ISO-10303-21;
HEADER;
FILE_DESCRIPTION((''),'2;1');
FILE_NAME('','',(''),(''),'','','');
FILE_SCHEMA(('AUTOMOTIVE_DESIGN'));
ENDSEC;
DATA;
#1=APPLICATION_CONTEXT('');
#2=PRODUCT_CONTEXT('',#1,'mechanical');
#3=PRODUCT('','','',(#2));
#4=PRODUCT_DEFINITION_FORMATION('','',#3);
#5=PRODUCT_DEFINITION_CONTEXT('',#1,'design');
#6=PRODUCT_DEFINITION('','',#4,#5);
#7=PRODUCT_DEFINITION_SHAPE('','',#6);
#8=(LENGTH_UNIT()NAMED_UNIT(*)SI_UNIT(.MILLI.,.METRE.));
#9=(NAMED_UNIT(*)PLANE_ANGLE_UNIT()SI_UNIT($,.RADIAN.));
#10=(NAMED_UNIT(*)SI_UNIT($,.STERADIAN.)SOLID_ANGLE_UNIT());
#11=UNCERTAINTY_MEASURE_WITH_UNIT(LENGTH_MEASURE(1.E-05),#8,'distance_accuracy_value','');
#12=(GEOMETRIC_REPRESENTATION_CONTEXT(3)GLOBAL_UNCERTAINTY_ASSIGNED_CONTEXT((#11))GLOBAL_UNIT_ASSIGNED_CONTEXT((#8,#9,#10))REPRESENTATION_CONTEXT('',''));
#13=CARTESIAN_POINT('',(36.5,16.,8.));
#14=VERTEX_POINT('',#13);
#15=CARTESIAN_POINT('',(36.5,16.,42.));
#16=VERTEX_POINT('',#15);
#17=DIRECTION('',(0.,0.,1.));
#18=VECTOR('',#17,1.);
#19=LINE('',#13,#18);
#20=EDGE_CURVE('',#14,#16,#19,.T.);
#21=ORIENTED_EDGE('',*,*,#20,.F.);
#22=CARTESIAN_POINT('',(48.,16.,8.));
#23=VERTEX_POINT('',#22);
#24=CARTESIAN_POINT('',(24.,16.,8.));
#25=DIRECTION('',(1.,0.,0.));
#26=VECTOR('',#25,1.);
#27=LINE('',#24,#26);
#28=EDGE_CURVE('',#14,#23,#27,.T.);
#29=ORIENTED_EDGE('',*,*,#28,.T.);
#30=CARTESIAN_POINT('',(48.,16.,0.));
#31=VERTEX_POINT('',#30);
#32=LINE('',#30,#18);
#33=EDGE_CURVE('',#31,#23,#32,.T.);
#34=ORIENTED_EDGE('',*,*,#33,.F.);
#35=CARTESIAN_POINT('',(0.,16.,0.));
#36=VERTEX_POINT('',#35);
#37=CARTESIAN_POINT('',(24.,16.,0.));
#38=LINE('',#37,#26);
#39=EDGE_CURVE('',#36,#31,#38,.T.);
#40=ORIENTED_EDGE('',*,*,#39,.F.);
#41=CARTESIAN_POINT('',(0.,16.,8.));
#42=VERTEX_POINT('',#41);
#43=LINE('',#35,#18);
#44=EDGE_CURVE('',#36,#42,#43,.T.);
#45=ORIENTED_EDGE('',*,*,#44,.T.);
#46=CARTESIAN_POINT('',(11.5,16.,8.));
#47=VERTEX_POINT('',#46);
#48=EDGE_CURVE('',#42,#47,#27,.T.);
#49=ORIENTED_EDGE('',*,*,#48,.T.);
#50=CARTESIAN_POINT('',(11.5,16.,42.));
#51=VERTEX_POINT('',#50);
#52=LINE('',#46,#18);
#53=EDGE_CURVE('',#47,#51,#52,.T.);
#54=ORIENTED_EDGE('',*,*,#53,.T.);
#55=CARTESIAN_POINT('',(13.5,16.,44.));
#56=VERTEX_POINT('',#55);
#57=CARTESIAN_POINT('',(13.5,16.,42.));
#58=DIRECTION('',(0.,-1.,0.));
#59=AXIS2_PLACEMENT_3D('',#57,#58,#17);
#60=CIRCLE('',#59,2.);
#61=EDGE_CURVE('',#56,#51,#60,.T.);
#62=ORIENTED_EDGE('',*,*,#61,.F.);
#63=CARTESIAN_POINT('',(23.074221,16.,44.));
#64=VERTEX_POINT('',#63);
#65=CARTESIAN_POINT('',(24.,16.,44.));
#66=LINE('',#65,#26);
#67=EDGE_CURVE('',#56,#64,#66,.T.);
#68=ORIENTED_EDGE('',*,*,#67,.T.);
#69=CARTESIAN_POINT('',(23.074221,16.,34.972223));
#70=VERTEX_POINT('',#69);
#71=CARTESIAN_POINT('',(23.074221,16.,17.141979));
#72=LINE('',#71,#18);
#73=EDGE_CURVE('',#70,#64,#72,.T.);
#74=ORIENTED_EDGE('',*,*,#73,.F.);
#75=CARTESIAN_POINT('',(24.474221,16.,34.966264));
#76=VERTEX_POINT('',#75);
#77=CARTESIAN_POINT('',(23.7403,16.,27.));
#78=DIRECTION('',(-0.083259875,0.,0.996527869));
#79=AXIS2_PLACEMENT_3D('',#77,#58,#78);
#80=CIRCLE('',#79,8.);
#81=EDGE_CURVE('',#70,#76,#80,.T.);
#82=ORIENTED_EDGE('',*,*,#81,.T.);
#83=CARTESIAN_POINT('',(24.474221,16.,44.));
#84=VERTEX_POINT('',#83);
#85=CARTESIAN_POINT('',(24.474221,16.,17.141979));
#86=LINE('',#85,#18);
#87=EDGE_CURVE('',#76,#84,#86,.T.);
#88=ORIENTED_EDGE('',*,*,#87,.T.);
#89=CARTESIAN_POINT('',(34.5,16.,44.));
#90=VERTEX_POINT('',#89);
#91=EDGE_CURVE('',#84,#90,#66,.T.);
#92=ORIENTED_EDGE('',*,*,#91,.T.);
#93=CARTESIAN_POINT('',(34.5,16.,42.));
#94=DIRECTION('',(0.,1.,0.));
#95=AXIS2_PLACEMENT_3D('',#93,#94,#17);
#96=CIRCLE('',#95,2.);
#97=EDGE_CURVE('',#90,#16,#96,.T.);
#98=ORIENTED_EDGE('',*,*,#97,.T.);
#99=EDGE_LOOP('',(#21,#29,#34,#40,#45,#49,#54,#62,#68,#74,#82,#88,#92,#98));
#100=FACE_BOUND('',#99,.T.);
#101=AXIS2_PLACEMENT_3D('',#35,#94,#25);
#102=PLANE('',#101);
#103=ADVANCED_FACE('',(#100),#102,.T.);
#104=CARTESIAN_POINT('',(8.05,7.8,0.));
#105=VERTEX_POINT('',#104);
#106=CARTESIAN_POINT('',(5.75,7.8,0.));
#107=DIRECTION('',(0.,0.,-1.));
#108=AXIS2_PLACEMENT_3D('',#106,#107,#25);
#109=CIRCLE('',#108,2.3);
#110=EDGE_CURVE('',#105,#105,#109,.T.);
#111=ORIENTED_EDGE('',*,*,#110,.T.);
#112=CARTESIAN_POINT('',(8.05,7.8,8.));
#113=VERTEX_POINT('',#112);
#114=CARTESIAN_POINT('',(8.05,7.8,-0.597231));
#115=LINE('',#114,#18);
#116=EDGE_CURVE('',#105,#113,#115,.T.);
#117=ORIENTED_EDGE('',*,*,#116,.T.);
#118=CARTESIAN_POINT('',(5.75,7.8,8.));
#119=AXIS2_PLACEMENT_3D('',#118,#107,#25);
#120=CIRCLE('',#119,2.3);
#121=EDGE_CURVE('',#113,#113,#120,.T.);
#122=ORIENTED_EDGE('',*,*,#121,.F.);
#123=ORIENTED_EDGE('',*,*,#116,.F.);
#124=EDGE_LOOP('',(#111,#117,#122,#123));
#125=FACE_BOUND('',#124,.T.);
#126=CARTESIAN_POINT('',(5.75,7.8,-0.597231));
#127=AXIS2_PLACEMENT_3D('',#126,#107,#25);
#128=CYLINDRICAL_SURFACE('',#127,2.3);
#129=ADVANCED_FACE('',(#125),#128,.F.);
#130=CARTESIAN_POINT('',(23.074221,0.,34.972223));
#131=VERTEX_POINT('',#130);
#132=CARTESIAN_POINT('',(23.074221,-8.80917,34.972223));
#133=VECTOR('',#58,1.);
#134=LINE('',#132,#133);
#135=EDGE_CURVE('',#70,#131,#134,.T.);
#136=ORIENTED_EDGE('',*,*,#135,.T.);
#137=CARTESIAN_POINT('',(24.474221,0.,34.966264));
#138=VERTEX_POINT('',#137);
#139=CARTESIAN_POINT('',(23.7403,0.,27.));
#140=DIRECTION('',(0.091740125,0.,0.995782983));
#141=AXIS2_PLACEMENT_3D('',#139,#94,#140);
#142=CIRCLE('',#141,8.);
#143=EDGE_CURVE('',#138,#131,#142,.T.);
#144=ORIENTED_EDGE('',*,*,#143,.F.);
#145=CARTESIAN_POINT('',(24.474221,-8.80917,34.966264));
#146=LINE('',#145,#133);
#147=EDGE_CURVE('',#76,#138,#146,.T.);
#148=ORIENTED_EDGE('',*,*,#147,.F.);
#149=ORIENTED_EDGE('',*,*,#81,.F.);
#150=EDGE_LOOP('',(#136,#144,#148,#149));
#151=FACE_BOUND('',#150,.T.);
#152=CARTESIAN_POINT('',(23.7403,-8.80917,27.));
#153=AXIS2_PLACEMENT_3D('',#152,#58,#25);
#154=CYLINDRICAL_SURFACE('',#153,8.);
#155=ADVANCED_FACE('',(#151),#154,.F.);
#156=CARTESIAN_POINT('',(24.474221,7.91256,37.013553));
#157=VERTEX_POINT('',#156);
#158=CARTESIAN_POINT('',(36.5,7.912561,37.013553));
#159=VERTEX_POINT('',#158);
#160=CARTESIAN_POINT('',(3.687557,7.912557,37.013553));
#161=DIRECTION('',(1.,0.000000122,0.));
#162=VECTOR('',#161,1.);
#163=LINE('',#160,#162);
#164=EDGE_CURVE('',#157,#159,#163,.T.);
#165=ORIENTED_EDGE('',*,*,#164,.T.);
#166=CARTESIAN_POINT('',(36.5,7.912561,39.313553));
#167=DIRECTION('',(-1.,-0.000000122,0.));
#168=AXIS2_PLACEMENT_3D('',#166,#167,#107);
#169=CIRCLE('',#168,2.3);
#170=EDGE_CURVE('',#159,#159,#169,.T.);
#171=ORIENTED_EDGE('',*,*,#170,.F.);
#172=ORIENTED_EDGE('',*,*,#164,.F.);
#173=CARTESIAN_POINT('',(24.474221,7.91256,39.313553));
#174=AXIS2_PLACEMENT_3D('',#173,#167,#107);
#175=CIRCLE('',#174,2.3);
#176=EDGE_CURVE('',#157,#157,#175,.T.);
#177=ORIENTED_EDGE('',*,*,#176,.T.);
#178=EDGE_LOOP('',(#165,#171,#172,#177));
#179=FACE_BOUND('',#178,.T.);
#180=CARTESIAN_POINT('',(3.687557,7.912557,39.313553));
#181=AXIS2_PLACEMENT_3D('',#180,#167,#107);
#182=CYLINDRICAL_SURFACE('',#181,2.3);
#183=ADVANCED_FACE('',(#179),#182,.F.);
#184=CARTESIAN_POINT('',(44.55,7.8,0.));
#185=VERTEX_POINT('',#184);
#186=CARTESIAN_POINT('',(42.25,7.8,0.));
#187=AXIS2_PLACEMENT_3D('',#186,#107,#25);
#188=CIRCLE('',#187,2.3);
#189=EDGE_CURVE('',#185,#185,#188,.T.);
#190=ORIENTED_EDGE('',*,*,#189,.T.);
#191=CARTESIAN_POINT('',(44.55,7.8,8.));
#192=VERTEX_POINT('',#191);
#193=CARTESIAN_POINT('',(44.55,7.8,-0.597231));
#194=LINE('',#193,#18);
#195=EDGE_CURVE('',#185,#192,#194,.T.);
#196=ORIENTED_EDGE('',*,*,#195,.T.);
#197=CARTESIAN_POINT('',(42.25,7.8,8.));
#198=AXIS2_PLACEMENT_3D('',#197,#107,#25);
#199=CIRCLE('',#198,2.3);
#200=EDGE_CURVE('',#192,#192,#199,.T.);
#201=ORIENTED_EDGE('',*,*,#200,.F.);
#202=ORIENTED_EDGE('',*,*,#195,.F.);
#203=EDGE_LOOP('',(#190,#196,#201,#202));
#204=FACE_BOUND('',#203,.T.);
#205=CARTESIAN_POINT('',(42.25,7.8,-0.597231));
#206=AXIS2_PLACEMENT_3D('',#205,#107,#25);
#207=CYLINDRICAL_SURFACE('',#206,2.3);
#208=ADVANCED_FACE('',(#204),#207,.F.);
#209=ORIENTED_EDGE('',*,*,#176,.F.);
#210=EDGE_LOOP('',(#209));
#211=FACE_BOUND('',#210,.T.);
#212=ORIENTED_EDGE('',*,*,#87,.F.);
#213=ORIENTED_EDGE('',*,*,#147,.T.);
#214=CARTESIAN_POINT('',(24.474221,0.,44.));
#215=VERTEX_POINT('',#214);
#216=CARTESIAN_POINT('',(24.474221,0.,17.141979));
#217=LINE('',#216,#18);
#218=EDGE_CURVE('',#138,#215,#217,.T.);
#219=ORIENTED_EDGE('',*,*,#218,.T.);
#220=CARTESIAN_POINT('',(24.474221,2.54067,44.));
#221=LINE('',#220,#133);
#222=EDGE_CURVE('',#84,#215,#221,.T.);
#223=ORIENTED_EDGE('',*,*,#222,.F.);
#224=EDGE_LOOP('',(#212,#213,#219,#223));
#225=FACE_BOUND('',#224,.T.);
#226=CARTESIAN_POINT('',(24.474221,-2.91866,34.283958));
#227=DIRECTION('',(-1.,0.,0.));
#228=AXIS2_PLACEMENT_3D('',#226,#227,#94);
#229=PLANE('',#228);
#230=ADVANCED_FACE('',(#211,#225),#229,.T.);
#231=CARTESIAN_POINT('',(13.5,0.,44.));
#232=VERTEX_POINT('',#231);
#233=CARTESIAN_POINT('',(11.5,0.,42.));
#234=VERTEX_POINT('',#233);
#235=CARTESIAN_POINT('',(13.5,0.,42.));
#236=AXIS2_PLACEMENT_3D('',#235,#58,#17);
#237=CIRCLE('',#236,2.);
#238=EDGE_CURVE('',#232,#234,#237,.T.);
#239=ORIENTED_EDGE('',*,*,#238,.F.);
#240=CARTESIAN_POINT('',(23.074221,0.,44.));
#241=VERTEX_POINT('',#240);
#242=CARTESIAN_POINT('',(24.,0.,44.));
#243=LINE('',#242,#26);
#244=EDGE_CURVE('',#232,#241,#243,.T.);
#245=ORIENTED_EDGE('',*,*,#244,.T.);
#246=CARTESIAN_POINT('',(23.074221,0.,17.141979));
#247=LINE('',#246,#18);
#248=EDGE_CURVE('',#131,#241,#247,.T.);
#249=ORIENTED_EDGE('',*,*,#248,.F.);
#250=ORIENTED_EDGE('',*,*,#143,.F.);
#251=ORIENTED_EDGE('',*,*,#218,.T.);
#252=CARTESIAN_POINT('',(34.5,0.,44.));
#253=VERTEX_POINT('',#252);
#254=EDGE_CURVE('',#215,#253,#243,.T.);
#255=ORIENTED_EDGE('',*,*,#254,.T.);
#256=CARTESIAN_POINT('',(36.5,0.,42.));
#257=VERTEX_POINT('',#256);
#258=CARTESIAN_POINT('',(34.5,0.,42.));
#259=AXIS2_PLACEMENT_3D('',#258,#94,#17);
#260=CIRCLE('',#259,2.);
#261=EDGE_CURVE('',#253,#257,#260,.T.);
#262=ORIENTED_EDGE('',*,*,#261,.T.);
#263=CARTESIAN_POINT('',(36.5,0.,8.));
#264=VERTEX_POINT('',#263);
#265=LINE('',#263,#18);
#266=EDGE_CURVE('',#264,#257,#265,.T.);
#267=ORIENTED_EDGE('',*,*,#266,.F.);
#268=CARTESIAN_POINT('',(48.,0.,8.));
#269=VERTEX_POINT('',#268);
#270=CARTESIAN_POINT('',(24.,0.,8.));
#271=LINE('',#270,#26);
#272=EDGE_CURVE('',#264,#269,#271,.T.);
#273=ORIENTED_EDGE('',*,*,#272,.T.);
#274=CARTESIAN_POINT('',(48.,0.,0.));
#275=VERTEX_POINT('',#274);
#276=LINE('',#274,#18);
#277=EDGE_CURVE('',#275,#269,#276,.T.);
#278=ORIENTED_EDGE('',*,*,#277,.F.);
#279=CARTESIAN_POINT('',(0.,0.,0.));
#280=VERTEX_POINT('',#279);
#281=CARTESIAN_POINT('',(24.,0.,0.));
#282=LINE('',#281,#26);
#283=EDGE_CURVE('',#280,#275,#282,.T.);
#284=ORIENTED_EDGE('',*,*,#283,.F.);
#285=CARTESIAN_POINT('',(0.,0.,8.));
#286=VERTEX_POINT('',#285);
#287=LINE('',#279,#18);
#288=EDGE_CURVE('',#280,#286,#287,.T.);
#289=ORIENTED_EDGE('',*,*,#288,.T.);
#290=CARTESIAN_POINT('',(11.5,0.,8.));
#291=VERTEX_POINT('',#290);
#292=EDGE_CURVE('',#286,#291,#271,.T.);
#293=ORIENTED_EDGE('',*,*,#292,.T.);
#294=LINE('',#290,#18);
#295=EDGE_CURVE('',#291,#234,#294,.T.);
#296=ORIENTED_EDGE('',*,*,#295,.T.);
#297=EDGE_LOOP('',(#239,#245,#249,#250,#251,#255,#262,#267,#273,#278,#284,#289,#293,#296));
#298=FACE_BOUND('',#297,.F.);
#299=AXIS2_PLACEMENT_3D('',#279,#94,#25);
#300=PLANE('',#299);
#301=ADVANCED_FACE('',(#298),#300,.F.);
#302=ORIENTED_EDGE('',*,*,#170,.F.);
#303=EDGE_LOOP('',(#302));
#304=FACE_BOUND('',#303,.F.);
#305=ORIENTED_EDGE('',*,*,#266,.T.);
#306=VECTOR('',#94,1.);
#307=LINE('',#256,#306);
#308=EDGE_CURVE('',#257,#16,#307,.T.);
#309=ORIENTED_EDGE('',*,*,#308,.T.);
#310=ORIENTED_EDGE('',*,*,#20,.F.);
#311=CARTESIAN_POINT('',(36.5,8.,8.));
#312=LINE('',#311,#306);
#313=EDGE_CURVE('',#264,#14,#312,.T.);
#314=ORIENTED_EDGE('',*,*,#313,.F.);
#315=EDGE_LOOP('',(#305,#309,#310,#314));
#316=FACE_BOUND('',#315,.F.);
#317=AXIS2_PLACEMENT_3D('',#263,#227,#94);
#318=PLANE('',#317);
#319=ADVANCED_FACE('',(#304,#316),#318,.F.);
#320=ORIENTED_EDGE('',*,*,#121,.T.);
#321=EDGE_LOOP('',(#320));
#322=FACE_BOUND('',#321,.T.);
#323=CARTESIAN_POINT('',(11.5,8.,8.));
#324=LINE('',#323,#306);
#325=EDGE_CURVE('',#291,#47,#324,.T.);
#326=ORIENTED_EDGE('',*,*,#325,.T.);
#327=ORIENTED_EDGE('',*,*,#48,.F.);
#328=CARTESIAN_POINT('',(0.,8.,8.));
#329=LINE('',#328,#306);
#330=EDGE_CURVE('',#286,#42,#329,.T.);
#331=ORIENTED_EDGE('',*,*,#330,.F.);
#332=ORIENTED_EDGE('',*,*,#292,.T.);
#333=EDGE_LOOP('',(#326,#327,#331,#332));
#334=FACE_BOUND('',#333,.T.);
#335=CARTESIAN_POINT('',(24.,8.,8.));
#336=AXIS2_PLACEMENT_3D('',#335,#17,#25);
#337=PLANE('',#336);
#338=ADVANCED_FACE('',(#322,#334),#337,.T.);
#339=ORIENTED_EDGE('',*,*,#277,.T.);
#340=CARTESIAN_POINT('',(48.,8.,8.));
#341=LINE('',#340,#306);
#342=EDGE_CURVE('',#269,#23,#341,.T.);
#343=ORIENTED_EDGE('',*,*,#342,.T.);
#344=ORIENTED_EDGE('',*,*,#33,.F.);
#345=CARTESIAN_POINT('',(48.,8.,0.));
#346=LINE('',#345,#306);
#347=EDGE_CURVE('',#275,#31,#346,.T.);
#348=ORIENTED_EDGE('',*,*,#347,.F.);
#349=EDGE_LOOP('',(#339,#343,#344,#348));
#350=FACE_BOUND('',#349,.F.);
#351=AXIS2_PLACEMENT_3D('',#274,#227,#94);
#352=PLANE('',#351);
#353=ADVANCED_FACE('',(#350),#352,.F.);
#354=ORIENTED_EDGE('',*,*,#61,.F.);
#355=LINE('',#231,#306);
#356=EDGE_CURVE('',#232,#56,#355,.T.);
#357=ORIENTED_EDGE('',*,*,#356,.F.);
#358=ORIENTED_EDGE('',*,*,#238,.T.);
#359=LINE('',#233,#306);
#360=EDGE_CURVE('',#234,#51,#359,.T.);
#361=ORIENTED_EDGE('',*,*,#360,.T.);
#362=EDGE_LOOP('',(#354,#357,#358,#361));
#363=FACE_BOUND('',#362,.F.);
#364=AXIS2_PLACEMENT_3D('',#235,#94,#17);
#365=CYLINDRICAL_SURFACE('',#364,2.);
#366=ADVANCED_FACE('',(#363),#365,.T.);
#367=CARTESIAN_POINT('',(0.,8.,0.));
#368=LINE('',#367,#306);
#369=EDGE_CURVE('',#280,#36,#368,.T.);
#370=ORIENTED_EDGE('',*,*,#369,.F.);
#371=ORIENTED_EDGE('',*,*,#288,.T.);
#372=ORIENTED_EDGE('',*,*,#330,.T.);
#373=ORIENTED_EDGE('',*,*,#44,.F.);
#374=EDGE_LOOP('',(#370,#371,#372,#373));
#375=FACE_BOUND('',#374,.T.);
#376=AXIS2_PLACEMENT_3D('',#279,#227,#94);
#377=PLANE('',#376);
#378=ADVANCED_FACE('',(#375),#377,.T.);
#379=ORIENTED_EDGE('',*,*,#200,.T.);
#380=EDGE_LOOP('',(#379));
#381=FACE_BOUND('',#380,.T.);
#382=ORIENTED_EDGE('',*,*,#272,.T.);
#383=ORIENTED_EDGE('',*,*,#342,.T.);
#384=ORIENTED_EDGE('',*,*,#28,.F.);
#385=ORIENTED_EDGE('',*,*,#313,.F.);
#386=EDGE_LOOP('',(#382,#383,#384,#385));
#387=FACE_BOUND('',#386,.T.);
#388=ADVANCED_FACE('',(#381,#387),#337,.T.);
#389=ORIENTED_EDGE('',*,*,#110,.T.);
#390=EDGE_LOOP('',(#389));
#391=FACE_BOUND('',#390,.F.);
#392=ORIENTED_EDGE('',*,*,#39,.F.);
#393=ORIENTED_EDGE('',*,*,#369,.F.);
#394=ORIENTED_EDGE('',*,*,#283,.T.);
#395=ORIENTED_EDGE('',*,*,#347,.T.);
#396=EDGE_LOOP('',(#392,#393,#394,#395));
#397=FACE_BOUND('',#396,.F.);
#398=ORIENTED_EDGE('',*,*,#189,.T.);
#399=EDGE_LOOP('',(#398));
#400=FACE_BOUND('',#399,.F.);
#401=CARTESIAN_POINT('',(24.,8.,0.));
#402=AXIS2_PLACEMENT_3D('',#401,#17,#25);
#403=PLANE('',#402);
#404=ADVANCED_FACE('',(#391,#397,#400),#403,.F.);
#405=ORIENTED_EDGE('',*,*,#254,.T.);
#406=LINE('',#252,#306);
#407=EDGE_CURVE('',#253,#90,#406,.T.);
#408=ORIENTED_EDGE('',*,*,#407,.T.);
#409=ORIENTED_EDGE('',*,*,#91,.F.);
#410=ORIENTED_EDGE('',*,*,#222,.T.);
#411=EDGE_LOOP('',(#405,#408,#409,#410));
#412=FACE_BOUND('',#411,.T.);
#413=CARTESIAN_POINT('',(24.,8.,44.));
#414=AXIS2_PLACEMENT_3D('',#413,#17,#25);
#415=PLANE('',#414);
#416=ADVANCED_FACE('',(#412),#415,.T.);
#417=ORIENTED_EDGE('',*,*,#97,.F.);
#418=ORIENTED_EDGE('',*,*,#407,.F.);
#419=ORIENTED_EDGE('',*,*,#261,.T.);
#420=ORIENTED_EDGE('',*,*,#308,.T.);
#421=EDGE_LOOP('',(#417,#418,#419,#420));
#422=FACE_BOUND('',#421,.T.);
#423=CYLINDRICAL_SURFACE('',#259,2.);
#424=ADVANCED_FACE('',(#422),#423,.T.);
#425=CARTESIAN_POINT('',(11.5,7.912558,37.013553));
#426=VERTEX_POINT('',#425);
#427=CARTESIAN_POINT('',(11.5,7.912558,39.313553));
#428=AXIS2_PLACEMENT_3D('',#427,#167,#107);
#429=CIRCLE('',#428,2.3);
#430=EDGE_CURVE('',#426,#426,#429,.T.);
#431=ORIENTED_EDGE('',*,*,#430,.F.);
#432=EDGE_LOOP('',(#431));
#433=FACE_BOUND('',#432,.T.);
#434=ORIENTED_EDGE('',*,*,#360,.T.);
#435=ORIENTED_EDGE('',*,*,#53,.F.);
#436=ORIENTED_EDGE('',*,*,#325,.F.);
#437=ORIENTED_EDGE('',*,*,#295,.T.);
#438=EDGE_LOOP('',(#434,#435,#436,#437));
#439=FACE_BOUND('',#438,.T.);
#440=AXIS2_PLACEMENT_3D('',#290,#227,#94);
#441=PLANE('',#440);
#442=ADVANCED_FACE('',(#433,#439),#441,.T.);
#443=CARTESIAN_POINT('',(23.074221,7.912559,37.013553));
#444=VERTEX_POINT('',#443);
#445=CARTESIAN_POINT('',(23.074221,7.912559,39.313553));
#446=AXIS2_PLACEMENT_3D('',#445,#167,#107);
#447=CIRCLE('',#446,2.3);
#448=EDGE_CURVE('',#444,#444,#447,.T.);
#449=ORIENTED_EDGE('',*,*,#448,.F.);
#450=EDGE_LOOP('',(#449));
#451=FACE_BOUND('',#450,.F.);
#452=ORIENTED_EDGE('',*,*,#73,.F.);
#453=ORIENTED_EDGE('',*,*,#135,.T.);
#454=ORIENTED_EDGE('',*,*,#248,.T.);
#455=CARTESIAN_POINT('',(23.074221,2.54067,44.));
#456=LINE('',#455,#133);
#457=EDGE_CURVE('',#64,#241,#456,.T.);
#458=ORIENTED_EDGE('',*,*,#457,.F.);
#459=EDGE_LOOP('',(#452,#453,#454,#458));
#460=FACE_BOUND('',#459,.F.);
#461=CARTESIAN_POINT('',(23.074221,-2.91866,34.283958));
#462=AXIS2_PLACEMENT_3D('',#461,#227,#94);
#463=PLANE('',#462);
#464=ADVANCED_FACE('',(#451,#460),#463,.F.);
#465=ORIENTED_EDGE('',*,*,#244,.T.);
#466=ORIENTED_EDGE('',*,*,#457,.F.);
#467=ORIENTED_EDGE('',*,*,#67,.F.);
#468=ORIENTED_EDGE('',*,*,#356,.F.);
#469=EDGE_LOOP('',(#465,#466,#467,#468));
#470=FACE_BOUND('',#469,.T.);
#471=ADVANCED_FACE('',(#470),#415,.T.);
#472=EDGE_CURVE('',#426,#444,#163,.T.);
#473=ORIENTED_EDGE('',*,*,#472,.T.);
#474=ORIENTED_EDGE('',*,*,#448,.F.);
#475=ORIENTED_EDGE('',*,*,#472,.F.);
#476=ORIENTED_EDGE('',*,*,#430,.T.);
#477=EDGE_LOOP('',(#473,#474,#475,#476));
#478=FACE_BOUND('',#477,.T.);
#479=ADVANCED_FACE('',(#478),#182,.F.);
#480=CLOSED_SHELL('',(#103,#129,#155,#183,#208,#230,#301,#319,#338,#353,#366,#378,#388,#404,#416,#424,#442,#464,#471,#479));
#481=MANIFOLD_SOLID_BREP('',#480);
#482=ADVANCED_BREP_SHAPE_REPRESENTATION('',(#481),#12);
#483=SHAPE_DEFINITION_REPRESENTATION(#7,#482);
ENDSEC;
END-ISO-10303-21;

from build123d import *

# Parameters (mm, degrees)
CYLINDER003_R               = 2.3
CYLINDER003_DEPTH           = 40
CYLINDER003_PITCH_ANGLE     = 90
CYLINDER003_PLACEMENT_ANGLE = 7e-06
CYLINDER002_R               = 2.3
CYLINDER002_DEPTH           = 10
CYLINDER001_R               = 2.3
CYLINDER001_DEPTH           = 10
BOX002_W                    = 1.4
BOX002_H                    = 20
BOX002_DEPTH                = 20
CYLINDER_R                  = 8
CYLINDER_DEPTH              = 30
CYLINDER_ROLL_ANGLE         = -90
BOX001_W                    = 25
BOX001_H                    = 16
BOX001_DEPTH                = 36
BOX_W                       = 48
BOX_H                       = 16
BOX_DEPTH                   = 8
FILLET_R                    = 2
FILLET001_R                 = 2


with BuildPart() as cylinder003:
    # Cylinder003 → Cylinder003 (new body)
    with BuildSketch(Plane.XY):
        Circle(CYLINDER003_R)
    extrude(amount=CYLINDER003_DEPTH)


with BuildPart() as cylinder003_1:
    # Cylinder003 pitch: moved
    add(cylinder003.part.rotate(Axis((0, 0, 0), (0, 1, 0)), CYLINDER003_PITCH_ANGLE))


with BuildPart() as cylinder003_2:
    # Cylinder003 placement: moved
    add(cylinder003_1.part.moved(Location((3.687557, 7.912557, 39.313553))).rotate(Axis((3.687557, 7.912557, 39.313553), (0, 0, 1)), CYLINDER003_PLACEMENT_ANGLE))


with BuildPart() as cylinder002:
    # Cylinder002 → Cylinder002 (new body)
    with BuildSketch(Plane(origin=(42.25, 7.8, -0.597231), x_dir=(1, 0, 0), z_dir=(0, 0, 1))):
        Circle(CYLINDER002_R)
    extrude(amount=CYLINDER002_DEPTH)


with BuildPart() as cylinder001:
    # Cylinder001 → Cylinder001 (new body)
    with BuildSketch(Plane(origin=(5.75, 7.8, -0.597231), x_dir=(1, 0, 0), z_dir=(0, 0, 1))):
        Circle(CYLINDER001_R)
    extrude(amount=CYLINDER001_DEPTH)


with BuildPart() as box002:
    # Box002 → Box002 (new body)
    with BuildSketch(Plane(origin=(23.074221, -2.91866, 34.283958), x_dir=(1, 0, 0), z_dir=(0, 0, 1))):
        with Locations((0.7, 10)):
            Rectangle(BOX002_W, BOX002_H)
    extrude(amount=BOX002_DEPTH)


with BuildPart() as cylinder:
    # Cylinder → Cylinder (new body)
    with BuildSketch(Plane.XY):
        Circle(CYLINDER_R)
    extrude(amount=CYLINDER_DEPTH)


with BuildPart() as cylinder_1:
    # Cylinder roll: moved
    add(cylinder.part.rotate(Axis((0, 0, 0), (1, 0, 0)), CYLINDER_ROLL_ANGLE))


with BuildPart() as cylinder_2:
    # Cylinder placement: moved
    add(cylinder_1.part.moved(Location((23.7403, -8.80917, 27))))


with BuildPart() as box001:
    # Box001 → Box001 (new body)
    with BuildSketch(Plane(origin=(11.5, 0, 8), x_dir=(1, 0, 0), z_dir=(0, 0, 1))):
        with Locations((12.5, 8)):
            Rectangle(BOX001_W, BOX001_H)
    extrude(amount=BOX001_DEPTH)


with BuildPart() as fillet001:
    # Box → Box (new body)
    with BuildSketch(Plane.XY):
        with Locations((24, 8)):
            Rectangle(BOX_W, BOX_H)
    extrude(amount=BOX_DEPTH)

    # Fusion: union Box001
    add(box001.part)

    # Cut: cut Cylinder
    add(cylinder_2.part, mode=Mode.SUBTRACT)

    # Cut001: cut Box002
    add(box002.part, mode=Mode.SUBTRACT)

    # Cut002: cut Cylinder001
    add(cylinder001.part, mode=Mode.SUBTRACT)

    # Cut003: cut Cylinder002
    add(cylinder002.part, mode=Mode.SUBTRACT)

    # Cut004: cut Cylinder003
    add(cylinder003_2.part, mode=Mode.SUBTRACT)

    # Fillet
    fillet_edges = [fillet001.edges().sort_by_distance(p)[0] for p in [
        (36.5, 8, 44),
    ]]
    fillet(fillet_edges, radius=FILLET_R)

    # Fillet001
    fillet001_edges = [fillet001.edges().sort_by_distance(p)[0] for p in [
        (11.5, 8, 44),
    ]]
    fillet(fillet001_edges, radius=FILLET001_R)


solid = fillet001.part
